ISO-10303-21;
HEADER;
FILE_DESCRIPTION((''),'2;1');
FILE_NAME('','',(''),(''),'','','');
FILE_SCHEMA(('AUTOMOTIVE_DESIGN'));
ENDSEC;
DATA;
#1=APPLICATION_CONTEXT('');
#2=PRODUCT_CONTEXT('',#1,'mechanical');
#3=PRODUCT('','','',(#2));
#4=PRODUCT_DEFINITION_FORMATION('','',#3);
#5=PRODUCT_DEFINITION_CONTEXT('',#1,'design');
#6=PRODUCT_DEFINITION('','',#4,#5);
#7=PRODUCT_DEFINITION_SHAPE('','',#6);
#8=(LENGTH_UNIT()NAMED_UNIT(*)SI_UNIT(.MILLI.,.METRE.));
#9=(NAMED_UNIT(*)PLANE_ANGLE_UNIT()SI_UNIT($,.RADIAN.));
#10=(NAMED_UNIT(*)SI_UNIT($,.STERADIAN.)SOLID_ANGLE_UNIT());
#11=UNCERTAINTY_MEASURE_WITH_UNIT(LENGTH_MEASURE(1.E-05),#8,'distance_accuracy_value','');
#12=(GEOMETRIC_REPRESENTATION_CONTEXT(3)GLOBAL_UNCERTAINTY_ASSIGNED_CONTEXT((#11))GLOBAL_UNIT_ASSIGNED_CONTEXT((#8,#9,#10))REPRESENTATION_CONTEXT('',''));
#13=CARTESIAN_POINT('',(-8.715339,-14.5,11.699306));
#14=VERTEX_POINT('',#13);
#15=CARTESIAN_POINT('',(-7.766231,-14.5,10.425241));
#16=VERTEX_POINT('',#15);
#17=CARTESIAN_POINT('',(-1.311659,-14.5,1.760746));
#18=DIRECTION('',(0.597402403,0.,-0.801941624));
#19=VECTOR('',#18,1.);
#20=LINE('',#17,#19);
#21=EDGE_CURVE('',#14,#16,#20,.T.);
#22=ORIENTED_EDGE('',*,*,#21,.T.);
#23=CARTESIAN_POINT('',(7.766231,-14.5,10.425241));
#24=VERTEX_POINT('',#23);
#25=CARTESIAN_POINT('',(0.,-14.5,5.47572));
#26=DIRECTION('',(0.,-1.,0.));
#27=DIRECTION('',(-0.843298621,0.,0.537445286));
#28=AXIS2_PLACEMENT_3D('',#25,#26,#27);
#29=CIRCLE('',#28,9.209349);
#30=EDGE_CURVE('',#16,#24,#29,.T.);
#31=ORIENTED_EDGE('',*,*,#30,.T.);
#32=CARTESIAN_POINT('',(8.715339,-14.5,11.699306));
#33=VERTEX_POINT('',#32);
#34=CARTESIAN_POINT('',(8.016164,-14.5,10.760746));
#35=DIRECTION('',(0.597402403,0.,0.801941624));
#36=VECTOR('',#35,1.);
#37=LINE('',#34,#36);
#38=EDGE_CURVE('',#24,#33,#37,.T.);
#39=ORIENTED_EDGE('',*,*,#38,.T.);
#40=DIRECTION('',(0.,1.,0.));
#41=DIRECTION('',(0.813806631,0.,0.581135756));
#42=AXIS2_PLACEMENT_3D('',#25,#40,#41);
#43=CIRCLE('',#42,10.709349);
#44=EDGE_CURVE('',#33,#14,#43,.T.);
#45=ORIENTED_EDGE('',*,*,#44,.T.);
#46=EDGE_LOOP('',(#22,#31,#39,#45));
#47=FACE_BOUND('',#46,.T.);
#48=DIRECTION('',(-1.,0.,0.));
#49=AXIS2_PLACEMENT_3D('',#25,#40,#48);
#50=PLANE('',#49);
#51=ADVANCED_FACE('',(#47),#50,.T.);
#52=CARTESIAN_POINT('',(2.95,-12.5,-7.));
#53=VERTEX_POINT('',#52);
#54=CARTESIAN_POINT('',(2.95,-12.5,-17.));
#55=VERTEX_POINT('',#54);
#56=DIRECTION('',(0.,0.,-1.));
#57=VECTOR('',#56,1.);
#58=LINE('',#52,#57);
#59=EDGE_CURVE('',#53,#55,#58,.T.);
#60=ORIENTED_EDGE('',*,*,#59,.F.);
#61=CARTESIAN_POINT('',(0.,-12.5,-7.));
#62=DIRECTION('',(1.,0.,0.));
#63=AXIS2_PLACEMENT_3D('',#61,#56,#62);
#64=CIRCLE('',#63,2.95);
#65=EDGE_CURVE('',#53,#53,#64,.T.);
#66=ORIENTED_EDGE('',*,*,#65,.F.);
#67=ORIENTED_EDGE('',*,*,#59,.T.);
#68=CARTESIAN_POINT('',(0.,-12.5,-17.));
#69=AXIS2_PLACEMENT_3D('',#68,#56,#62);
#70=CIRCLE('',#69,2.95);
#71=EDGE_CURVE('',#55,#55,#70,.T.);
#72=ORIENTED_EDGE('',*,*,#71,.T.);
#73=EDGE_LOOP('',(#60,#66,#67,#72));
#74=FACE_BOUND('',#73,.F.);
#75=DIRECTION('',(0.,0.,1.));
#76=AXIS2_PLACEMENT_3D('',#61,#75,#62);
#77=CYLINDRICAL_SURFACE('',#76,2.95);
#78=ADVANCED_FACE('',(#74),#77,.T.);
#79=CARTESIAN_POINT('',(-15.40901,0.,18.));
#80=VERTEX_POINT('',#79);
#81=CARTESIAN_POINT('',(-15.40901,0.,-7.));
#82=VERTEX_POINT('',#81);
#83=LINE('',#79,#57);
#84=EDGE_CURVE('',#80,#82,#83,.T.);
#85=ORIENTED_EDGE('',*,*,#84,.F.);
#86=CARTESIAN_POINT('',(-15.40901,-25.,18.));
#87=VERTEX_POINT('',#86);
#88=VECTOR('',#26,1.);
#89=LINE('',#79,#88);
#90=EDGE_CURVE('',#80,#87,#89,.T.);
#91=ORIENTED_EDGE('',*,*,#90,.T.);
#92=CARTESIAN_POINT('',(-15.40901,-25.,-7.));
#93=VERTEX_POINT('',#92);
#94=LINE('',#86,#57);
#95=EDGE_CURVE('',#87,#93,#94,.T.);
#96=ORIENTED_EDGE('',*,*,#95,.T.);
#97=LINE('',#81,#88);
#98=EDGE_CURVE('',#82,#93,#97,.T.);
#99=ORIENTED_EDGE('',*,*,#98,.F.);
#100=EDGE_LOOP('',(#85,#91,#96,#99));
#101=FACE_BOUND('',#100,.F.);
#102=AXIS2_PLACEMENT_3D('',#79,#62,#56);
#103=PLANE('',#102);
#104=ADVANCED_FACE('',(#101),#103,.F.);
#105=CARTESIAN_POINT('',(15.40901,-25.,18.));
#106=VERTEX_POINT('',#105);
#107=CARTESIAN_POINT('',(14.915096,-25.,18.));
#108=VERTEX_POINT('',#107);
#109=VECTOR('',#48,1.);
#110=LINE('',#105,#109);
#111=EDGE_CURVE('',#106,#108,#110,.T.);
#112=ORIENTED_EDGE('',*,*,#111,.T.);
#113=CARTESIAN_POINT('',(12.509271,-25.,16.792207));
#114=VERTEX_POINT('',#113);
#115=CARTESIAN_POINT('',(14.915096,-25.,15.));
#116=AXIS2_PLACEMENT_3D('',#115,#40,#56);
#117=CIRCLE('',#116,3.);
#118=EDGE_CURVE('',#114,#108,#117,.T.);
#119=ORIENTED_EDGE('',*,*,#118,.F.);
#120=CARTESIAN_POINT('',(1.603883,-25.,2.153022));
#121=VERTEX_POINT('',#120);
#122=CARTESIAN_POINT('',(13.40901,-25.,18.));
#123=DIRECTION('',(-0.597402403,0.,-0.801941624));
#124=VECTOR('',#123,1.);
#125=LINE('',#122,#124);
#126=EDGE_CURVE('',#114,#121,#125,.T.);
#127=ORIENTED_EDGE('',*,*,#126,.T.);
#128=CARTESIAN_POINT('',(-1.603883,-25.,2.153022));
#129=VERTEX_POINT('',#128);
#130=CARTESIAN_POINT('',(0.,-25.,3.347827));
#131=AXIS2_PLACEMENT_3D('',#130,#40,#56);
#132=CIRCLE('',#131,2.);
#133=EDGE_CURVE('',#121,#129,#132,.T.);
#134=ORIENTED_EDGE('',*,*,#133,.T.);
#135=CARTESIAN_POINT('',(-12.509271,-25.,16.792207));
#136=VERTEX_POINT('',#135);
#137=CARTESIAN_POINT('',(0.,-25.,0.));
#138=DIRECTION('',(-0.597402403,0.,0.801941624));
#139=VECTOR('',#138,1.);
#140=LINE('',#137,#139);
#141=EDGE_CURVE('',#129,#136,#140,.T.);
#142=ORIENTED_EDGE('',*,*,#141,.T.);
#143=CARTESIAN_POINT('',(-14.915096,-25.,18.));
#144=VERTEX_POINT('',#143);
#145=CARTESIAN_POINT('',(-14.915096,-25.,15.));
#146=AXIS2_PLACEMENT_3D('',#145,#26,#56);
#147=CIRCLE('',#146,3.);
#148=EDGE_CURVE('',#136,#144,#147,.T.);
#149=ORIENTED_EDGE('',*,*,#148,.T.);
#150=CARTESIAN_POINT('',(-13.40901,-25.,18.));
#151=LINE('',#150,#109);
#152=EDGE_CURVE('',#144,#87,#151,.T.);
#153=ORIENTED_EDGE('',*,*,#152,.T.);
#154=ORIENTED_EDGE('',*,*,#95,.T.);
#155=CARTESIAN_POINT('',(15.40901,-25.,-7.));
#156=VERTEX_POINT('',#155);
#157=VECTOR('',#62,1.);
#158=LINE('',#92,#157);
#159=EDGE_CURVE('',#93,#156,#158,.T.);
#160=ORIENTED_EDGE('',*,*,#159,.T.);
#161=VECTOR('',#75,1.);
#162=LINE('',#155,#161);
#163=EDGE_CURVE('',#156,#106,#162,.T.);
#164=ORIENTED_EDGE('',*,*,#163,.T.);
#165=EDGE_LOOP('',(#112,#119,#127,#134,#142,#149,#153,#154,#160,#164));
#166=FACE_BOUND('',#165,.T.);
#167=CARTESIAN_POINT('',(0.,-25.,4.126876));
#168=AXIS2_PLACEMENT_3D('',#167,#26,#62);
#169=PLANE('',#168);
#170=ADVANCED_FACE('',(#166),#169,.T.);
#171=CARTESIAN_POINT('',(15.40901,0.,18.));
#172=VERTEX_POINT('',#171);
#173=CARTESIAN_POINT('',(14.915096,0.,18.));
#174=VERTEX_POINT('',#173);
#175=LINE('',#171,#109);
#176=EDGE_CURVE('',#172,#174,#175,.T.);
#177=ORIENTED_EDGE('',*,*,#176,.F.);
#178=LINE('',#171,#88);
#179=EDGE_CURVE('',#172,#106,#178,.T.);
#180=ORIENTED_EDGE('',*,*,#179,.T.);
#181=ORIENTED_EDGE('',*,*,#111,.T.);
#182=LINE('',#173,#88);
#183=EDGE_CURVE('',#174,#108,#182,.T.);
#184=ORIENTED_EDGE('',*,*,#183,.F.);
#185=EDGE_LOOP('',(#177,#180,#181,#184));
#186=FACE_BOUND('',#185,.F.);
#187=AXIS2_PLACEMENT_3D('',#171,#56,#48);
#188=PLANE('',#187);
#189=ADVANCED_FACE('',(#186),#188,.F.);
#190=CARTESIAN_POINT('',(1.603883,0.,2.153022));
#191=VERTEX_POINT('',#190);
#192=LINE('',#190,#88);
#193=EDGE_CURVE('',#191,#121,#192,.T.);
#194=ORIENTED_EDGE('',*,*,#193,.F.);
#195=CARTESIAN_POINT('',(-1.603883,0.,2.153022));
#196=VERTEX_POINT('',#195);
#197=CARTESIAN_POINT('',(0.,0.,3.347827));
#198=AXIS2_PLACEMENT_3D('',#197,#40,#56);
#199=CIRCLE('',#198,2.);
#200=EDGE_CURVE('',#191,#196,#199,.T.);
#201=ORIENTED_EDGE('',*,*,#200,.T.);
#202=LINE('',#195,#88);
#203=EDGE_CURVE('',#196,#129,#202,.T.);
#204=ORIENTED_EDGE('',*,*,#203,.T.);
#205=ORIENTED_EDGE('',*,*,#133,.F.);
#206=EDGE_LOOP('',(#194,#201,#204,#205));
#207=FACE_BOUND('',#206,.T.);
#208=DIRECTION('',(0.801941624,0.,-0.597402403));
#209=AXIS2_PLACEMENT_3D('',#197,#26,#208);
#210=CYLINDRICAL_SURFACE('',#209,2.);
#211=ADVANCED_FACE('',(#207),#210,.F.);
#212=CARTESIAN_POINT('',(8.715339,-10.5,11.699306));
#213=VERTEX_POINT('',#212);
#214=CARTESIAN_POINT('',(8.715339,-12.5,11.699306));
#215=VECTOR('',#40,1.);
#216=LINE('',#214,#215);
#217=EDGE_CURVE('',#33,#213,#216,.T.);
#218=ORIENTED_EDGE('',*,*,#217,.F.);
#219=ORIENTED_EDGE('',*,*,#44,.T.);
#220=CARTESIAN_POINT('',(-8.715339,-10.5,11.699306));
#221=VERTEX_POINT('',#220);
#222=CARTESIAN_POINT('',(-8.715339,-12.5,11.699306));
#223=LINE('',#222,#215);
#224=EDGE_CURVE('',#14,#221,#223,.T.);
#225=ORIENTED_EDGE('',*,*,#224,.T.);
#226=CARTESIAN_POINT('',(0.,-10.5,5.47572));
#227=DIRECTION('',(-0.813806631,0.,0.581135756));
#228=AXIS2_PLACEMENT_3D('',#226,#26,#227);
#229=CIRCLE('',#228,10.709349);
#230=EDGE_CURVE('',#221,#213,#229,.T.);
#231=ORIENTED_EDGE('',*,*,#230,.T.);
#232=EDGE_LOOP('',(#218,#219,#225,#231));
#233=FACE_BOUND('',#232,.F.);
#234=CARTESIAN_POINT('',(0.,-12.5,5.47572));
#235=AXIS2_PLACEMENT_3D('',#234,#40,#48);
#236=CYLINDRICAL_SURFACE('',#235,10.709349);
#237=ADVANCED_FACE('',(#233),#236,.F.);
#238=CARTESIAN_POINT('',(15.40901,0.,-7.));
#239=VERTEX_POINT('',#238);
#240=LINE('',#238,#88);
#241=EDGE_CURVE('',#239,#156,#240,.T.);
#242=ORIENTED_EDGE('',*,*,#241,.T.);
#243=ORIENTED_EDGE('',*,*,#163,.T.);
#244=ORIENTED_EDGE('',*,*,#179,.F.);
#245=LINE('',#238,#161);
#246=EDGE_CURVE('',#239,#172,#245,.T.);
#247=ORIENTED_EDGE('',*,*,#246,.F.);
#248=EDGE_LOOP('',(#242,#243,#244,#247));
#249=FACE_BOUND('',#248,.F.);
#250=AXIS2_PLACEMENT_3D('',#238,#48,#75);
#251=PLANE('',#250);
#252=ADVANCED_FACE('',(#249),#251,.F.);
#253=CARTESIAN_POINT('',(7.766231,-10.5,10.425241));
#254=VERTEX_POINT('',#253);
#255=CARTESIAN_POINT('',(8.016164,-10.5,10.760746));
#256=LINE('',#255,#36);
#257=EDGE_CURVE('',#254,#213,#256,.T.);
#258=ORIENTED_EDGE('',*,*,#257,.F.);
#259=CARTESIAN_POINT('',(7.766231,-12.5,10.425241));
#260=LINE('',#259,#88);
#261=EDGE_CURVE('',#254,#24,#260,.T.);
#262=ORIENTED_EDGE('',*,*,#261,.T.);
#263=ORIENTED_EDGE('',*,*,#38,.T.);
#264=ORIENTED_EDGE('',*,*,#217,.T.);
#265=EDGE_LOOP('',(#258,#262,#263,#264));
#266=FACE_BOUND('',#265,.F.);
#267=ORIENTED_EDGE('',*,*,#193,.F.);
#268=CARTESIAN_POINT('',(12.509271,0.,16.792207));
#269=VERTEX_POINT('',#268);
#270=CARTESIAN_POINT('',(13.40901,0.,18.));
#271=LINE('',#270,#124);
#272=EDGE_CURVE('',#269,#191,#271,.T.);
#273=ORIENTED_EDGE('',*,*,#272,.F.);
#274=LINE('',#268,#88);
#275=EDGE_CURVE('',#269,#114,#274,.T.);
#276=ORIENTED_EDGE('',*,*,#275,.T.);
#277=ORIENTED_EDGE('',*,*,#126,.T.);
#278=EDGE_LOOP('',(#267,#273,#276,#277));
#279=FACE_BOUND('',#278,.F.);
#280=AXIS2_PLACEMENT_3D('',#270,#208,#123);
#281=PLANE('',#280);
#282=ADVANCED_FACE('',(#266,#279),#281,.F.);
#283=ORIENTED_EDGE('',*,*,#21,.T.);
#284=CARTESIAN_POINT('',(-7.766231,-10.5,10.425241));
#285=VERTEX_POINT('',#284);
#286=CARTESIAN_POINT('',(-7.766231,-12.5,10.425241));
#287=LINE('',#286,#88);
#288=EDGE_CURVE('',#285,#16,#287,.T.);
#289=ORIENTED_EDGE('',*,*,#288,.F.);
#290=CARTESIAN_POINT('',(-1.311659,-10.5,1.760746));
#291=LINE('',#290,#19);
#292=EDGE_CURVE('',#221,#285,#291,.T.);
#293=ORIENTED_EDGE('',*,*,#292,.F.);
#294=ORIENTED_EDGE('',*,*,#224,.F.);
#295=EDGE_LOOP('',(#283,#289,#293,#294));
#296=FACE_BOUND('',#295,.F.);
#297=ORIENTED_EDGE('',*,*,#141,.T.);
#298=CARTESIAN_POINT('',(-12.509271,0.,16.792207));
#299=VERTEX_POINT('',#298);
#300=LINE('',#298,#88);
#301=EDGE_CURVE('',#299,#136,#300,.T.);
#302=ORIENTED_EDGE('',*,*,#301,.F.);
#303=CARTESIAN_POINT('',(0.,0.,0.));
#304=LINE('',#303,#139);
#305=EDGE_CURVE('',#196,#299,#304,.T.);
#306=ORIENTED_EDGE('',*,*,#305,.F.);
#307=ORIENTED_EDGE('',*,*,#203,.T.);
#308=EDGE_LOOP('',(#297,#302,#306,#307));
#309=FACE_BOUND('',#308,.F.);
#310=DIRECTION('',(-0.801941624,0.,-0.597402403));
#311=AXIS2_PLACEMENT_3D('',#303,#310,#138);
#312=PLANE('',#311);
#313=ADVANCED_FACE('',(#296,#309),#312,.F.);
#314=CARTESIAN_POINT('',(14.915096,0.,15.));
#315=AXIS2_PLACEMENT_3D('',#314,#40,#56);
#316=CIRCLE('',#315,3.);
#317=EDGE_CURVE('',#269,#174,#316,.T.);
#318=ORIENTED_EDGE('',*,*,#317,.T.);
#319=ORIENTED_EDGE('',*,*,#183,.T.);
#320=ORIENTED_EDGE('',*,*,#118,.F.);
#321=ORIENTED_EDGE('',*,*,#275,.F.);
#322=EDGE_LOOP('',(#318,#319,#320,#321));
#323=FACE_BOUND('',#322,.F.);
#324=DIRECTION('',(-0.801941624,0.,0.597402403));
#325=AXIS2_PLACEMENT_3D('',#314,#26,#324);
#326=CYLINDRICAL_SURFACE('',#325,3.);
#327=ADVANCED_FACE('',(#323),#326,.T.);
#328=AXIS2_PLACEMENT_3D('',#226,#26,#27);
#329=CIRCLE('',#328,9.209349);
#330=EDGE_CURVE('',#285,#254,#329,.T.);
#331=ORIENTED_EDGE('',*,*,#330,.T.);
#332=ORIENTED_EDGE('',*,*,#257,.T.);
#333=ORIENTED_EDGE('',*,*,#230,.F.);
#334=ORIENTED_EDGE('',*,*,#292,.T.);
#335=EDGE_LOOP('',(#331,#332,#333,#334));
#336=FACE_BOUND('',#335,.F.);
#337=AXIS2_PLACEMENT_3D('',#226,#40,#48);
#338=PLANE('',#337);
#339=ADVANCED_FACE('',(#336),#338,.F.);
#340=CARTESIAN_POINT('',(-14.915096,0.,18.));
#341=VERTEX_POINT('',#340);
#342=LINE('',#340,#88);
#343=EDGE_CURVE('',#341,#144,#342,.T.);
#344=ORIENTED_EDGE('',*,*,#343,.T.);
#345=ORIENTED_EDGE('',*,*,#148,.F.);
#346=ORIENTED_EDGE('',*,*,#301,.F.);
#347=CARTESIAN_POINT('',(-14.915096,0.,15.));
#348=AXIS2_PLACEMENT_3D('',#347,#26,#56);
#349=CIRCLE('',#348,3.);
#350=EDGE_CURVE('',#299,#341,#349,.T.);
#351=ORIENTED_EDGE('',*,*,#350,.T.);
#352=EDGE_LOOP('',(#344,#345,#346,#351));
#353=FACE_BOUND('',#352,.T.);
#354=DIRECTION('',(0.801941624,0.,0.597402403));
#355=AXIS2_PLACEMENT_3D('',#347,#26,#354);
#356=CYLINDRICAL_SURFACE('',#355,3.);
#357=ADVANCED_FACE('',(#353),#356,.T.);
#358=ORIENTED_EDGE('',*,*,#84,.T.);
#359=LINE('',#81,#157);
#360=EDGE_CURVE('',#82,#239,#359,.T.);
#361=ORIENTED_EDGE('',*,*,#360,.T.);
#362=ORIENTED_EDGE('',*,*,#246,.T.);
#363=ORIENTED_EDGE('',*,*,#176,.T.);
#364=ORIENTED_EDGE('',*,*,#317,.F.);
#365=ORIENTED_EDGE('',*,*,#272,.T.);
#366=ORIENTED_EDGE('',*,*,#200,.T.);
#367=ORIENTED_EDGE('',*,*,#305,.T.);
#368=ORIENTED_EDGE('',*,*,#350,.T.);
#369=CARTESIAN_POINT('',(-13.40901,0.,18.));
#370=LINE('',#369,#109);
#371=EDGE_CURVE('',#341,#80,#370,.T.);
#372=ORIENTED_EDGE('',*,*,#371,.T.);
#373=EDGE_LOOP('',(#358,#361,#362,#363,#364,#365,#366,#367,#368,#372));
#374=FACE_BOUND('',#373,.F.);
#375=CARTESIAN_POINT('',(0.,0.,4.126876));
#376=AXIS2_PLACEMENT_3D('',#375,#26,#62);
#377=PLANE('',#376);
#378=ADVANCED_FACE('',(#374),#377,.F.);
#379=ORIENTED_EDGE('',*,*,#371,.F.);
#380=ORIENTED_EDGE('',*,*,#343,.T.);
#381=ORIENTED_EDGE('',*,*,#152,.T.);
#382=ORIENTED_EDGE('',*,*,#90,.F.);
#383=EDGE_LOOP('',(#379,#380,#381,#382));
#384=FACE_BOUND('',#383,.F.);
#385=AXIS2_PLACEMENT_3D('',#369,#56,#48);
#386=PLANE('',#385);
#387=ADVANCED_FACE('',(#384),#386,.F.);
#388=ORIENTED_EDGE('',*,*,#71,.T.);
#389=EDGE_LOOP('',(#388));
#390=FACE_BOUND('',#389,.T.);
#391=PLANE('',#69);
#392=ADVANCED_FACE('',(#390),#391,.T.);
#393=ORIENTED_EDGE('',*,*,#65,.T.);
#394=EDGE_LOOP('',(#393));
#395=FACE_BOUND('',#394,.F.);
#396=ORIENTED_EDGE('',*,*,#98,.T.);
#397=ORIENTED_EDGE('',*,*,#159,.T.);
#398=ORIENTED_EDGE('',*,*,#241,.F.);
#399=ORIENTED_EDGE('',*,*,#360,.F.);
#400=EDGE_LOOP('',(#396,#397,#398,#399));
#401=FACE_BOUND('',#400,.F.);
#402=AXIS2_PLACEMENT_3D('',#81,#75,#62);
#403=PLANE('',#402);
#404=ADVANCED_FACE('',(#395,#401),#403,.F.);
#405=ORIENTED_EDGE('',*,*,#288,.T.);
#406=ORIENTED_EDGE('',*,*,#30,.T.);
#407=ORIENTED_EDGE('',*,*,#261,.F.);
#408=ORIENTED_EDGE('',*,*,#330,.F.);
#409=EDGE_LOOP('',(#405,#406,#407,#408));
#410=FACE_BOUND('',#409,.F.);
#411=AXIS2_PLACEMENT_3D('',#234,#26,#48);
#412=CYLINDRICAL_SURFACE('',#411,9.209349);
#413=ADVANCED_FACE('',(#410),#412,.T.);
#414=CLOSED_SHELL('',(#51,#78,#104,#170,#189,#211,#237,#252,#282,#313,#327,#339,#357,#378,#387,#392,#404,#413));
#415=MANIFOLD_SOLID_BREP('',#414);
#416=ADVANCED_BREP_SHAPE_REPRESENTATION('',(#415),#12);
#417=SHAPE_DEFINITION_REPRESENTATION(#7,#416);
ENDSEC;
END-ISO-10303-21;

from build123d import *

# Parameters (mm, degrees)
F1_DEPTH = 25
F2_R     = 2.95
F3_DEPTH = 10
F4_R     = 3
F5_R     = 2
F8_R     = 10.709349
F8_R_2   = 9.209349
F9_DEPTH = 2


with BuildPart() as f1:
    # F0 (on Front) → F1 (new body)
    with BuildSketch(Plane.XZ):
        Polygon((13.40901, 18), (0, 0), (-13.40901, 18), (-15.40901, 18), (-15.40901, -7), (15.40901, -7), (15.40901, 18), align=None)
    extrude(amount=F1_DEPTH)

    # F2 (on face) → F3 (join)
    with BuildSketch(Plane(origin=(0, 0, -7), x_dir=(1, 0, 0), z_dir=(0, 0, -1))):
        with Locations((0, 12.5)):
            Circle(F2_R)
    extrude(amount=F3_DEPTH)

    # F4
    f4_edges = [f1.edges().sort_by_distance(p)[0] for p in [
        (-13.40901, -12.5, 18),
        (13.40901, -12.5, 18),
    ]]
    fillet(f4_edges, radius=F4_R)

    # F5
    f5_edges = [f1.edges().sort_by_distance(p)[0] for p in [
        (0, -12.5, 0),
    ]]
    fillet(f5_edges, radius=F5_R)

    # F8 (on face) → F9 (cut, symmetric)
    with BuildSketch(Plane(origin=(0, -12.5, 0), x_dir=(-1, 0, 0), z_dir=(0, 1, 0))):
        with Locations((0, 5.47572)):
            Circle(F8_R)
        with Locations((0, 5.47572)):
            Circle(F8_R_2, mode=Mode.SUBTRACT)
    extrude(amount=F9_DEPTH, both=True, mode=Mode.SUBTRACT)


solid = f1.part
